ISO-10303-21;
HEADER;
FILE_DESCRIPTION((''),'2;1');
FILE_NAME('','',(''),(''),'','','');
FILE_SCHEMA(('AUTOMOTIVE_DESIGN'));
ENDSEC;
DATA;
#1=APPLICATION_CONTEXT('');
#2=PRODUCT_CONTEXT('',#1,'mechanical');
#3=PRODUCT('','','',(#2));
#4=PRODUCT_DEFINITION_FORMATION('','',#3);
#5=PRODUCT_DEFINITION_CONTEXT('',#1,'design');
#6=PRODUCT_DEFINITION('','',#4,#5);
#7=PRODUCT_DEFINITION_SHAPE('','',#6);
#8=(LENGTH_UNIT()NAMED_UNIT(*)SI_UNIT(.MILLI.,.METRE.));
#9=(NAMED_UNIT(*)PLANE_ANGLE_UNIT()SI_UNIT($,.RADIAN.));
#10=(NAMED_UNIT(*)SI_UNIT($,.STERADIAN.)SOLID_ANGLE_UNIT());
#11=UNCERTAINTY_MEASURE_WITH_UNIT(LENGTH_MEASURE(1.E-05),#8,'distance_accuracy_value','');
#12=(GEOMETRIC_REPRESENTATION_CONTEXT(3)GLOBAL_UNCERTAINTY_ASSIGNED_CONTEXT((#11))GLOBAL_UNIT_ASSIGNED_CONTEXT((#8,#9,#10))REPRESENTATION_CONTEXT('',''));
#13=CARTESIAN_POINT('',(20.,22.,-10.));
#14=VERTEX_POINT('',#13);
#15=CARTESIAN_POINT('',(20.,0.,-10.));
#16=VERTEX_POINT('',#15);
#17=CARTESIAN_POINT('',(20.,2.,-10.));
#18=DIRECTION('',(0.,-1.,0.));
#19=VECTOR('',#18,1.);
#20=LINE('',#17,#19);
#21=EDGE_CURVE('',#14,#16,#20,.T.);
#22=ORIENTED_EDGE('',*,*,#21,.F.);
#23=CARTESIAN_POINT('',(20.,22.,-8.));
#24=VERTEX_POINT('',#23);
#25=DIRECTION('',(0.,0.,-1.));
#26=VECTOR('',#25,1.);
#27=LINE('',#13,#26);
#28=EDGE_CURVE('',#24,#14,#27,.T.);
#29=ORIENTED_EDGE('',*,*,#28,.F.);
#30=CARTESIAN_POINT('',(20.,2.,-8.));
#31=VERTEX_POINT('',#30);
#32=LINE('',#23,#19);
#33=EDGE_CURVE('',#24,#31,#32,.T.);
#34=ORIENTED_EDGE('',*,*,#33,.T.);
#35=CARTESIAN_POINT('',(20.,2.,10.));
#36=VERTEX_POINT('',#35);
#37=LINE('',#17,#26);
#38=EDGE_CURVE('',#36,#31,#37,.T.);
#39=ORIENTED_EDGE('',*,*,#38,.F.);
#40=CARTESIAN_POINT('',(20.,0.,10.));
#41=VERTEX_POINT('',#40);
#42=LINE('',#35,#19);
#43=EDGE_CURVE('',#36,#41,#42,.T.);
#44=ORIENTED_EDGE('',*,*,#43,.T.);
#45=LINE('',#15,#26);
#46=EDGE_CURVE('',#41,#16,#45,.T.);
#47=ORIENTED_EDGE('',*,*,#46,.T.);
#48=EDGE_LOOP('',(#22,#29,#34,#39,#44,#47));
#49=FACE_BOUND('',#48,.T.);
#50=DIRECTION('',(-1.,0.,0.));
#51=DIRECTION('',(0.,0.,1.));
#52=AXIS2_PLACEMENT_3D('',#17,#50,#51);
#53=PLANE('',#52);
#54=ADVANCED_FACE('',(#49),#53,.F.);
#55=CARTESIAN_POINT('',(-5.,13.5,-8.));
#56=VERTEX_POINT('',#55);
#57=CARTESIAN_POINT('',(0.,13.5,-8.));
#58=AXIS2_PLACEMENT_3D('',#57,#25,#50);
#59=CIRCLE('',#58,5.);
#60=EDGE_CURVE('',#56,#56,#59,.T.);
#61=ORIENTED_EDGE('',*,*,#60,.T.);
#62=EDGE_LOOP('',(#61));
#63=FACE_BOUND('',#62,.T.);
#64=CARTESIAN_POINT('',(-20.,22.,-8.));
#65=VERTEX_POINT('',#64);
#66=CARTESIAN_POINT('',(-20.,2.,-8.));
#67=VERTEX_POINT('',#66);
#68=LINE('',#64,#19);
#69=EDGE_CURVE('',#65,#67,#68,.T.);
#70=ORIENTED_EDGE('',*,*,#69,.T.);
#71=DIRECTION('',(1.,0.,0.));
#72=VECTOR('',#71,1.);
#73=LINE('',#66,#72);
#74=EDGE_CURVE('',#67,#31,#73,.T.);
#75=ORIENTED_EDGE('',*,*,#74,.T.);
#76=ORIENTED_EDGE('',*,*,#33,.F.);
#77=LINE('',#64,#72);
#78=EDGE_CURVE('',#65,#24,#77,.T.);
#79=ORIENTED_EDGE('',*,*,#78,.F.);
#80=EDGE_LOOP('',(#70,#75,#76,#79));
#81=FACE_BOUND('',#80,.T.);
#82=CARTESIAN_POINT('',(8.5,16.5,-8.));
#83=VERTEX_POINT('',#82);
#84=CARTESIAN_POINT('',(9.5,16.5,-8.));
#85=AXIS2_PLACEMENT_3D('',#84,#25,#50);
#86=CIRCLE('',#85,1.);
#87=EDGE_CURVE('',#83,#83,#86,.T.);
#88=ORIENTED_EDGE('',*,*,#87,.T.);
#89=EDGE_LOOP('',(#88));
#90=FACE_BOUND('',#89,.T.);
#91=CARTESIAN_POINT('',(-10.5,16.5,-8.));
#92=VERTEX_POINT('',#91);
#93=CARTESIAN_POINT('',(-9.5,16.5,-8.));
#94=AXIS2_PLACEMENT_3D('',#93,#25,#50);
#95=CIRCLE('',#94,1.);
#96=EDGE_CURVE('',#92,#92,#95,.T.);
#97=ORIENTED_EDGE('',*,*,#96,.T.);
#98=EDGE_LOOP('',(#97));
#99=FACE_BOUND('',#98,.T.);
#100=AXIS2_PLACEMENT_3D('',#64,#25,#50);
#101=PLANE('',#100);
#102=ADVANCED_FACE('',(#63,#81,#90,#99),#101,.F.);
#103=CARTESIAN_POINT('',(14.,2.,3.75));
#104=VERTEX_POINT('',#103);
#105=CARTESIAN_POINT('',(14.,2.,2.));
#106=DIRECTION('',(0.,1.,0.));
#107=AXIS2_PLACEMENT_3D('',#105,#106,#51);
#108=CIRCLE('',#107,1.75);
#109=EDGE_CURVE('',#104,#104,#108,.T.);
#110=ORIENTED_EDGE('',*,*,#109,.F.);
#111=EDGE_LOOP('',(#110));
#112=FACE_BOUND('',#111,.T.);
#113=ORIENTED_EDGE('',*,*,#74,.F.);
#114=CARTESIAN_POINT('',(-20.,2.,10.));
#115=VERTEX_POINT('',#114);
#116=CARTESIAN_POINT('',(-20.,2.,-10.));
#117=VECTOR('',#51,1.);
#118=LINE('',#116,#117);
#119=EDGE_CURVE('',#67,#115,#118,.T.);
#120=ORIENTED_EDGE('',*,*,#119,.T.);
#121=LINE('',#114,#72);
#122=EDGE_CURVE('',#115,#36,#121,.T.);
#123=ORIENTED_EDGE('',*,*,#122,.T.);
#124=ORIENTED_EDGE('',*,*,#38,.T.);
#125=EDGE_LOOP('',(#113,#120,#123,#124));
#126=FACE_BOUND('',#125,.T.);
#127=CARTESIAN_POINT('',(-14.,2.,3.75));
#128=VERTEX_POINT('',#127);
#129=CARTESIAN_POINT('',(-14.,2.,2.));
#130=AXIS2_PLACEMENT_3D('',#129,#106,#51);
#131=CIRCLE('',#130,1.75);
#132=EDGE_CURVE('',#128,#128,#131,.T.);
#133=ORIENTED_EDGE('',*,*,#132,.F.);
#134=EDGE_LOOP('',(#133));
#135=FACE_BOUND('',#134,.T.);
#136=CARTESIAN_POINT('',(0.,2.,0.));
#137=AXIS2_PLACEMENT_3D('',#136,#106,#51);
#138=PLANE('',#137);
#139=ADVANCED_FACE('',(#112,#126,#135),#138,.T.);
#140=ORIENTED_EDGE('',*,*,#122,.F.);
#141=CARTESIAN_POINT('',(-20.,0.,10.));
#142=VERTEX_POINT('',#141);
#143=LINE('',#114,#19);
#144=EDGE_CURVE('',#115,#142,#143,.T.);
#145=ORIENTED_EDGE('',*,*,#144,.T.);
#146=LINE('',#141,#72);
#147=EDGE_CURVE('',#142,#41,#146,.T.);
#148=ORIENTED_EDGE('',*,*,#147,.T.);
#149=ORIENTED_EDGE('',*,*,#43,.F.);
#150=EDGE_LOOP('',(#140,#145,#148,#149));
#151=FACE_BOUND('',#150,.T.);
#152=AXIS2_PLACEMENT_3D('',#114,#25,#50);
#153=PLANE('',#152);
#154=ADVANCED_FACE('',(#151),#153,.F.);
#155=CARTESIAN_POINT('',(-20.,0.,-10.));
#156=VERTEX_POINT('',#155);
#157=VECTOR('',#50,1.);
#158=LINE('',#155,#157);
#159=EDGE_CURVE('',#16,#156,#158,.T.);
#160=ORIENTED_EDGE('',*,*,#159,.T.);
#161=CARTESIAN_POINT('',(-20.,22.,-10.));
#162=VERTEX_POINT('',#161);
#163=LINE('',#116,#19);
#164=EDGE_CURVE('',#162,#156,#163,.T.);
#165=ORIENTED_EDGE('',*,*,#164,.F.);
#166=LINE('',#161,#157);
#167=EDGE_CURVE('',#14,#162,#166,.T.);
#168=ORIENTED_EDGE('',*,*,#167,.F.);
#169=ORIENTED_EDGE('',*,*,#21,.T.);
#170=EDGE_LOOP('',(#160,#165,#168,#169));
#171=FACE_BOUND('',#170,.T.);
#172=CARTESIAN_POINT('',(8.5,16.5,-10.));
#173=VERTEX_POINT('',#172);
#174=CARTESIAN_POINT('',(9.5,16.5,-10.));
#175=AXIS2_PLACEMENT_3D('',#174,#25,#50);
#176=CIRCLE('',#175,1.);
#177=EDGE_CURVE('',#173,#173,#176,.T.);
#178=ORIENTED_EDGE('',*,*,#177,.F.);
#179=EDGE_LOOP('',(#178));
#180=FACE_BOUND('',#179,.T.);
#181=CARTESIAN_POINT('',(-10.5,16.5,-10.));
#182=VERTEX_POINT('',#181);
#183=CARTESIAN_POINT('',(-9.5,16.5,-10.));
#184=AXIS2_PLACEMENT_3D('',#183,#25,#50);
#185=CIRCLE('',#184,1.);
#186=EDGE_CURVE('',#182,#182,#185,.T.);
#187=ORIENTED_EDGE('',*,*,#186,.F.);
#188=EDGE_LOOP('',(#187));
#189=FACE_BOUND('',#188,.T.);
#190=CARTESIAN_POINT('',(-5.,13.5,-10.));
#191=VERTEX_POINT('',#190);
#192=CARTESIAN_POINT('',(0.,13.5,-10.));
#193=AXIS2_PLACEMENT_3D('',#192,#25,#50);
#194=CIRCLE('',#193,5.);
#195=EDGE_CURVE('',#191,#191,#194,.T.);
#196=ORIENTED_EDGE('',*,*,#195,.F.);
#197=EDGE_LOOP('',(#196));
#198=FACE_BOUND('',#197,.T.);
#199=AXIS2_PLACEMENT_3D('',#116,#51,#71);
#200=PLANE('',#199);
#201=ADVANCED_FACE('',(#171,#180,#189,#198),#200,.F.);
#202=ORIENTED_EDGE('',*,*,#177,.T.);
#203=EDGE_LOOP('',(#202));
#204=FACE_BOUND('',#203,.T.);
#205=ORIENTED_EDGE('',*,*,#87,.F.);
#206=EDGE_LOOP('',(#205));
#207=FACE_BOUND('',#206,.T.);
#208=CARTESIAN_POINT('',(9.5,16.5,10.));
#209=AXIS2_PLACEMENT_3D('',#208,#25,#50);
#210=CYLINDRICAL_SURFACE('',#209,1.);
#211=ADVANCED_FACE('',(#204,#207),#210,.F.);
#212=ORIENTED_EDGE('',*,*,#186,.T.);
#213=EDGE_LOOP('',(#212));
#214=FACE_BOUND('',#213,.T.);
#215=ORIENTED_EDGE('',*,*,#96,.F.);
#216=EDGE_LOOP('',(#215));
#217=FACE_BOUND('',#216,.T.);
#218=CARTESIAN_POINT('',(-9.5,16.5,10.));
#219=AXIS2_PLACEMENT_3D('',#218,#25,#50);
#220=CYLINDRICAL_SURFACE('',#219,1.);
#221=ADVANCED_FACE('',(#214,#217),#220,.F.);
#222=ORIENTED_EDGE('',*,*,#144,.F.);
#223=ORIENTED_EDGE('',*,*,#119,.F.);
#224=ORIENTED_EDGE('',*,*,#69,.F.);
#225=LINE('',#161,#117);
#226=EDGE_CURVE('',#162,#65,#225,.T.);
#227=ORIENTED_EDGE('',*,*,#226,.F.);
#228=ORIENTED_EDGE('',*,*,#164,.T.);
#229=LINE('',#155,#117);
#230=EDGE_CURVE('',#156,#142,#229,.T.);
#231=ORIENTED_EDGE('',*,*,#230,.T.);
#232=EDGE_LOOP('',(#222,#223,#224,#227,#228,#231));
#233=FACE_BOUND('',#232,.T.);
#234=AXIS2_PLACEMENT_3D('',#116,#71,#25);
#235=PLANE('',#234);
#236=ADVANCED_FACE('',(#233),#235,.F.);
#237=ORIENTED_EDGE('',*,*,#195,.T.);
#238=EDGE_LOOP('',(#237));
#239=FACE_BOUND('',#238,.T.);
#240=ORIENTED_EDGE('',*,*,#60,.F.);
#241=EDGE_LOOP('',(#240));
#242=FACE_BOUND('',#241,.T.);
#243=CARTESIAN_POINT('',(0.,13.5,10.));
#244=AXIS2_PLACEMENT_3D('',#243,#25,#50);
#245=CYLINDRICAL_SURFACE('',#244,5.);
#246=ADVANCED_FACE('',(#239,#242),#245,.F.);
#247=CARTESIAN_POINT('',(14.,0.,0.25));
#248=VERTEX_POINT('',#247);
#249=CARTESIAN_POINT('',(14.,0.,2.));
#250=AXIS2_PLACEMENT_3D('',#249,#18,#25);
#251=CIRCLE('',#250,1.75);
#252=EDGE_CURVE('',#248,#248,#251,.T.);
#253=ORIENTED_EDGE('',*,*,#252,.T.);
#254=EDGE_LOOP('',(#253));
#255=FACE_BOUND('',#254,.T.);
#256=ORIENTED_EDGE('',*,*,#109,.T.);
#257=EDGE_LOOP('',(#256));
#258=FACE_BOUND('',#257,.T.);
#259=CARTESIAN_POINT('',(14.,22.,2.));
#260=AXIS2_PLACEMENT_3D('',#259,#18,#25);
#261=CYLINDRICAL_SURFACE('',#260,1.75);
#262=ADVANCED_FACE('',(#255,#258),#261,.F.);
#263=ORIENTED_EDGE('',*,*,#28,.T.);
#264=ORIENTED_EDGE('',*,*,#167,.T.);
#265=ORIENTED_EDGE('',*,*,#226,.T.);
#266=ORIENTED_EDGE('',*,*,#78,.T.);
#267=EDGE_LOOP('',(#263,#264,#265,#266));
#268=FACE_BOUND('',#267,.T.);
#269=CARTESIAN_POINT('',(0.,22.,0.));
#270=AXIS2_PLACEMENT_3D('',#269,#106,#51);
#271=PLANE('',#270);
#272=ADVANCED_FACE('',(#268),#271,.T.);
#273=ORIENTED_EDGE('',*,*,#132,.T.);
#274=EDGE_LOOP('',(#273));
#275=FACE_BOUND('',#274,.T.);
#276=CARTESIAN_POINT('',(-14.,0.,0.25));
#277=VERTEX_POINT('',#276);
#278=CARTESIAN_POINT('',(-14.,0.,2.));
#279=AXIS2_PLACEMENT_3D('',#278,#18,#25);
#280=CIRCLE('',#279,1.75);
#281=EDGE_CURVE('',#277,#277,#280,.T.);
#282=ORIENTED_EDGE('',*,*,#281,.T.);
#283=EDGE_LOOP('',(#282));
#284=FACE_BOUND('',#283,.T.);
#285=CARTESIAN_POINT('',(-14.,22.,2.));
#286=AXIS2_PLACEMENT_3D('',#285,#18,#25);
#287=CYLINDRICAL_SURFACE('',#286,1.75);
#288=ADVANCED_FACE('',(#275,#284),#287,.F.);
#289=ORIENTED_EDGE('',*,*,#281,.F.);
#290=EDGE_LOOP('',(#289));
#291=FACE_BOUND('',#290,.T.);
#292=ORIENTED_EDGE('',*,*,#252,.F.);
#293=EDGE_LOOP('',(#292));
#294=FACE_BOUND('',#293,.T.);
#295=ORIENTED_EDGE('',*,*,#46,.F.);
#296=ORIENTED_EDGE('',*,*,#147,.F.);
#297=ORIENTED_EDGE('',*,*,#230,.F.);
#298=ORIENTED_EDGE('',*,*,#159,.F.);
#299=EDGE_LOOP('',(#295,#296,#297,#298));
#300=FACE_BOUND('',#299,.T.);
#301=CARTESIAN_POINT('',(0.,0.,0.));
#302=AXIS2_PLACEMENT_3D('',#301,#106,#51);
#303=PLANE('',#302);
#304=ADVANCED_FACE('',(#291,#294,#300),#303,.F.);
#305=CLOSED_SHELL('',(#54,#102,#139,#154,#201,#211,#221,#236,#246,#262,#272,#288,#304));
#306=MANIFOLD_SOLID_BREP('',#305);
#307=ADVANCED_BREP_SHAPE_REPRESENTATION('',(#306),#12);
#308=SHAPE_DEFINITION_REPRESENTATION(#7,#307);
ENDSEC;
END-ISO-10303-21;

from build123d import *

# Parameters (mm, degrees)
SKETCH1_W           = 40
SKETCH1_H           = 20
BOSS_EXTRUDE1_DEPTH = 2
SKETCH2_W           = 40
SKETCH2_H           = 2
BOSS_EXTRUDE2_DEPTH = 20
SKETCH3_R           = 1.75
CUT_EXTRUDE1_DEPTH  = 23
SKETCH4_R           = 5
SKETCH4_R_2         = 1
CUT_EXTRUDE2_DEPTH  = 21


with BuildPart() as part:
    # Sketch1 → Boss-Extrude1 (new body)
    with BuildSketch(Plane(origin=(0, 0, 0), x_dir=(1, 0, 0), z_dir=(0, 1, 0))):
        Rectangle(SKETCH1_W, SKETCH1_H)
    extrude(amount=BOSS_EXTRUDE1_DEPTH)

    # Sketch2 → Boss-Extrude2 (add)
    with BuildSketch(Plane(origin=(0, 2, 0), x_dir=(1, 0, 0), z_dir=(0, 1, 0))):
        with Locations((0, 9)):
            Rectangle(SKETCH2_W, SKETCH2_H)
    extrude(amount=BOSS_EXTRUDE2_DEPTH)

    # Sketch3 → Cut-Extrude1 (cut, through all)
    with BuildSketch(Plane.XZ):
        with Locations((-14, 2)):
            Circle(SKETCH3_R)
        with Locations((14, 2)):
            Circle(SKETCH3_R)
    extrude(amount=-CUT_EXTRUDE1_DEPTH, mode=Mode.SUBTRACT)

    # Sketch4 → Cut-Extrude2 (cut, through all)
    with BuildSketch(Plane(origin=(0, 0, -10), x_dir=(-1, 0, 0), z_dir=(0, 0, -1))):
        with Locations((0, 13.5)):
            Circle(SKETCH4_R)
        with Locations((-9.5, 16.5)):
            Circle(SKETCH4_R_2)
        with Locations((9.5, 16.5)):
            Circle(SKETCH4_R_2)
    extrude(amount=-CUT_EXTRUDE2_DEPTH, mode=Mode.SUBTRACT)


solid = part.part
